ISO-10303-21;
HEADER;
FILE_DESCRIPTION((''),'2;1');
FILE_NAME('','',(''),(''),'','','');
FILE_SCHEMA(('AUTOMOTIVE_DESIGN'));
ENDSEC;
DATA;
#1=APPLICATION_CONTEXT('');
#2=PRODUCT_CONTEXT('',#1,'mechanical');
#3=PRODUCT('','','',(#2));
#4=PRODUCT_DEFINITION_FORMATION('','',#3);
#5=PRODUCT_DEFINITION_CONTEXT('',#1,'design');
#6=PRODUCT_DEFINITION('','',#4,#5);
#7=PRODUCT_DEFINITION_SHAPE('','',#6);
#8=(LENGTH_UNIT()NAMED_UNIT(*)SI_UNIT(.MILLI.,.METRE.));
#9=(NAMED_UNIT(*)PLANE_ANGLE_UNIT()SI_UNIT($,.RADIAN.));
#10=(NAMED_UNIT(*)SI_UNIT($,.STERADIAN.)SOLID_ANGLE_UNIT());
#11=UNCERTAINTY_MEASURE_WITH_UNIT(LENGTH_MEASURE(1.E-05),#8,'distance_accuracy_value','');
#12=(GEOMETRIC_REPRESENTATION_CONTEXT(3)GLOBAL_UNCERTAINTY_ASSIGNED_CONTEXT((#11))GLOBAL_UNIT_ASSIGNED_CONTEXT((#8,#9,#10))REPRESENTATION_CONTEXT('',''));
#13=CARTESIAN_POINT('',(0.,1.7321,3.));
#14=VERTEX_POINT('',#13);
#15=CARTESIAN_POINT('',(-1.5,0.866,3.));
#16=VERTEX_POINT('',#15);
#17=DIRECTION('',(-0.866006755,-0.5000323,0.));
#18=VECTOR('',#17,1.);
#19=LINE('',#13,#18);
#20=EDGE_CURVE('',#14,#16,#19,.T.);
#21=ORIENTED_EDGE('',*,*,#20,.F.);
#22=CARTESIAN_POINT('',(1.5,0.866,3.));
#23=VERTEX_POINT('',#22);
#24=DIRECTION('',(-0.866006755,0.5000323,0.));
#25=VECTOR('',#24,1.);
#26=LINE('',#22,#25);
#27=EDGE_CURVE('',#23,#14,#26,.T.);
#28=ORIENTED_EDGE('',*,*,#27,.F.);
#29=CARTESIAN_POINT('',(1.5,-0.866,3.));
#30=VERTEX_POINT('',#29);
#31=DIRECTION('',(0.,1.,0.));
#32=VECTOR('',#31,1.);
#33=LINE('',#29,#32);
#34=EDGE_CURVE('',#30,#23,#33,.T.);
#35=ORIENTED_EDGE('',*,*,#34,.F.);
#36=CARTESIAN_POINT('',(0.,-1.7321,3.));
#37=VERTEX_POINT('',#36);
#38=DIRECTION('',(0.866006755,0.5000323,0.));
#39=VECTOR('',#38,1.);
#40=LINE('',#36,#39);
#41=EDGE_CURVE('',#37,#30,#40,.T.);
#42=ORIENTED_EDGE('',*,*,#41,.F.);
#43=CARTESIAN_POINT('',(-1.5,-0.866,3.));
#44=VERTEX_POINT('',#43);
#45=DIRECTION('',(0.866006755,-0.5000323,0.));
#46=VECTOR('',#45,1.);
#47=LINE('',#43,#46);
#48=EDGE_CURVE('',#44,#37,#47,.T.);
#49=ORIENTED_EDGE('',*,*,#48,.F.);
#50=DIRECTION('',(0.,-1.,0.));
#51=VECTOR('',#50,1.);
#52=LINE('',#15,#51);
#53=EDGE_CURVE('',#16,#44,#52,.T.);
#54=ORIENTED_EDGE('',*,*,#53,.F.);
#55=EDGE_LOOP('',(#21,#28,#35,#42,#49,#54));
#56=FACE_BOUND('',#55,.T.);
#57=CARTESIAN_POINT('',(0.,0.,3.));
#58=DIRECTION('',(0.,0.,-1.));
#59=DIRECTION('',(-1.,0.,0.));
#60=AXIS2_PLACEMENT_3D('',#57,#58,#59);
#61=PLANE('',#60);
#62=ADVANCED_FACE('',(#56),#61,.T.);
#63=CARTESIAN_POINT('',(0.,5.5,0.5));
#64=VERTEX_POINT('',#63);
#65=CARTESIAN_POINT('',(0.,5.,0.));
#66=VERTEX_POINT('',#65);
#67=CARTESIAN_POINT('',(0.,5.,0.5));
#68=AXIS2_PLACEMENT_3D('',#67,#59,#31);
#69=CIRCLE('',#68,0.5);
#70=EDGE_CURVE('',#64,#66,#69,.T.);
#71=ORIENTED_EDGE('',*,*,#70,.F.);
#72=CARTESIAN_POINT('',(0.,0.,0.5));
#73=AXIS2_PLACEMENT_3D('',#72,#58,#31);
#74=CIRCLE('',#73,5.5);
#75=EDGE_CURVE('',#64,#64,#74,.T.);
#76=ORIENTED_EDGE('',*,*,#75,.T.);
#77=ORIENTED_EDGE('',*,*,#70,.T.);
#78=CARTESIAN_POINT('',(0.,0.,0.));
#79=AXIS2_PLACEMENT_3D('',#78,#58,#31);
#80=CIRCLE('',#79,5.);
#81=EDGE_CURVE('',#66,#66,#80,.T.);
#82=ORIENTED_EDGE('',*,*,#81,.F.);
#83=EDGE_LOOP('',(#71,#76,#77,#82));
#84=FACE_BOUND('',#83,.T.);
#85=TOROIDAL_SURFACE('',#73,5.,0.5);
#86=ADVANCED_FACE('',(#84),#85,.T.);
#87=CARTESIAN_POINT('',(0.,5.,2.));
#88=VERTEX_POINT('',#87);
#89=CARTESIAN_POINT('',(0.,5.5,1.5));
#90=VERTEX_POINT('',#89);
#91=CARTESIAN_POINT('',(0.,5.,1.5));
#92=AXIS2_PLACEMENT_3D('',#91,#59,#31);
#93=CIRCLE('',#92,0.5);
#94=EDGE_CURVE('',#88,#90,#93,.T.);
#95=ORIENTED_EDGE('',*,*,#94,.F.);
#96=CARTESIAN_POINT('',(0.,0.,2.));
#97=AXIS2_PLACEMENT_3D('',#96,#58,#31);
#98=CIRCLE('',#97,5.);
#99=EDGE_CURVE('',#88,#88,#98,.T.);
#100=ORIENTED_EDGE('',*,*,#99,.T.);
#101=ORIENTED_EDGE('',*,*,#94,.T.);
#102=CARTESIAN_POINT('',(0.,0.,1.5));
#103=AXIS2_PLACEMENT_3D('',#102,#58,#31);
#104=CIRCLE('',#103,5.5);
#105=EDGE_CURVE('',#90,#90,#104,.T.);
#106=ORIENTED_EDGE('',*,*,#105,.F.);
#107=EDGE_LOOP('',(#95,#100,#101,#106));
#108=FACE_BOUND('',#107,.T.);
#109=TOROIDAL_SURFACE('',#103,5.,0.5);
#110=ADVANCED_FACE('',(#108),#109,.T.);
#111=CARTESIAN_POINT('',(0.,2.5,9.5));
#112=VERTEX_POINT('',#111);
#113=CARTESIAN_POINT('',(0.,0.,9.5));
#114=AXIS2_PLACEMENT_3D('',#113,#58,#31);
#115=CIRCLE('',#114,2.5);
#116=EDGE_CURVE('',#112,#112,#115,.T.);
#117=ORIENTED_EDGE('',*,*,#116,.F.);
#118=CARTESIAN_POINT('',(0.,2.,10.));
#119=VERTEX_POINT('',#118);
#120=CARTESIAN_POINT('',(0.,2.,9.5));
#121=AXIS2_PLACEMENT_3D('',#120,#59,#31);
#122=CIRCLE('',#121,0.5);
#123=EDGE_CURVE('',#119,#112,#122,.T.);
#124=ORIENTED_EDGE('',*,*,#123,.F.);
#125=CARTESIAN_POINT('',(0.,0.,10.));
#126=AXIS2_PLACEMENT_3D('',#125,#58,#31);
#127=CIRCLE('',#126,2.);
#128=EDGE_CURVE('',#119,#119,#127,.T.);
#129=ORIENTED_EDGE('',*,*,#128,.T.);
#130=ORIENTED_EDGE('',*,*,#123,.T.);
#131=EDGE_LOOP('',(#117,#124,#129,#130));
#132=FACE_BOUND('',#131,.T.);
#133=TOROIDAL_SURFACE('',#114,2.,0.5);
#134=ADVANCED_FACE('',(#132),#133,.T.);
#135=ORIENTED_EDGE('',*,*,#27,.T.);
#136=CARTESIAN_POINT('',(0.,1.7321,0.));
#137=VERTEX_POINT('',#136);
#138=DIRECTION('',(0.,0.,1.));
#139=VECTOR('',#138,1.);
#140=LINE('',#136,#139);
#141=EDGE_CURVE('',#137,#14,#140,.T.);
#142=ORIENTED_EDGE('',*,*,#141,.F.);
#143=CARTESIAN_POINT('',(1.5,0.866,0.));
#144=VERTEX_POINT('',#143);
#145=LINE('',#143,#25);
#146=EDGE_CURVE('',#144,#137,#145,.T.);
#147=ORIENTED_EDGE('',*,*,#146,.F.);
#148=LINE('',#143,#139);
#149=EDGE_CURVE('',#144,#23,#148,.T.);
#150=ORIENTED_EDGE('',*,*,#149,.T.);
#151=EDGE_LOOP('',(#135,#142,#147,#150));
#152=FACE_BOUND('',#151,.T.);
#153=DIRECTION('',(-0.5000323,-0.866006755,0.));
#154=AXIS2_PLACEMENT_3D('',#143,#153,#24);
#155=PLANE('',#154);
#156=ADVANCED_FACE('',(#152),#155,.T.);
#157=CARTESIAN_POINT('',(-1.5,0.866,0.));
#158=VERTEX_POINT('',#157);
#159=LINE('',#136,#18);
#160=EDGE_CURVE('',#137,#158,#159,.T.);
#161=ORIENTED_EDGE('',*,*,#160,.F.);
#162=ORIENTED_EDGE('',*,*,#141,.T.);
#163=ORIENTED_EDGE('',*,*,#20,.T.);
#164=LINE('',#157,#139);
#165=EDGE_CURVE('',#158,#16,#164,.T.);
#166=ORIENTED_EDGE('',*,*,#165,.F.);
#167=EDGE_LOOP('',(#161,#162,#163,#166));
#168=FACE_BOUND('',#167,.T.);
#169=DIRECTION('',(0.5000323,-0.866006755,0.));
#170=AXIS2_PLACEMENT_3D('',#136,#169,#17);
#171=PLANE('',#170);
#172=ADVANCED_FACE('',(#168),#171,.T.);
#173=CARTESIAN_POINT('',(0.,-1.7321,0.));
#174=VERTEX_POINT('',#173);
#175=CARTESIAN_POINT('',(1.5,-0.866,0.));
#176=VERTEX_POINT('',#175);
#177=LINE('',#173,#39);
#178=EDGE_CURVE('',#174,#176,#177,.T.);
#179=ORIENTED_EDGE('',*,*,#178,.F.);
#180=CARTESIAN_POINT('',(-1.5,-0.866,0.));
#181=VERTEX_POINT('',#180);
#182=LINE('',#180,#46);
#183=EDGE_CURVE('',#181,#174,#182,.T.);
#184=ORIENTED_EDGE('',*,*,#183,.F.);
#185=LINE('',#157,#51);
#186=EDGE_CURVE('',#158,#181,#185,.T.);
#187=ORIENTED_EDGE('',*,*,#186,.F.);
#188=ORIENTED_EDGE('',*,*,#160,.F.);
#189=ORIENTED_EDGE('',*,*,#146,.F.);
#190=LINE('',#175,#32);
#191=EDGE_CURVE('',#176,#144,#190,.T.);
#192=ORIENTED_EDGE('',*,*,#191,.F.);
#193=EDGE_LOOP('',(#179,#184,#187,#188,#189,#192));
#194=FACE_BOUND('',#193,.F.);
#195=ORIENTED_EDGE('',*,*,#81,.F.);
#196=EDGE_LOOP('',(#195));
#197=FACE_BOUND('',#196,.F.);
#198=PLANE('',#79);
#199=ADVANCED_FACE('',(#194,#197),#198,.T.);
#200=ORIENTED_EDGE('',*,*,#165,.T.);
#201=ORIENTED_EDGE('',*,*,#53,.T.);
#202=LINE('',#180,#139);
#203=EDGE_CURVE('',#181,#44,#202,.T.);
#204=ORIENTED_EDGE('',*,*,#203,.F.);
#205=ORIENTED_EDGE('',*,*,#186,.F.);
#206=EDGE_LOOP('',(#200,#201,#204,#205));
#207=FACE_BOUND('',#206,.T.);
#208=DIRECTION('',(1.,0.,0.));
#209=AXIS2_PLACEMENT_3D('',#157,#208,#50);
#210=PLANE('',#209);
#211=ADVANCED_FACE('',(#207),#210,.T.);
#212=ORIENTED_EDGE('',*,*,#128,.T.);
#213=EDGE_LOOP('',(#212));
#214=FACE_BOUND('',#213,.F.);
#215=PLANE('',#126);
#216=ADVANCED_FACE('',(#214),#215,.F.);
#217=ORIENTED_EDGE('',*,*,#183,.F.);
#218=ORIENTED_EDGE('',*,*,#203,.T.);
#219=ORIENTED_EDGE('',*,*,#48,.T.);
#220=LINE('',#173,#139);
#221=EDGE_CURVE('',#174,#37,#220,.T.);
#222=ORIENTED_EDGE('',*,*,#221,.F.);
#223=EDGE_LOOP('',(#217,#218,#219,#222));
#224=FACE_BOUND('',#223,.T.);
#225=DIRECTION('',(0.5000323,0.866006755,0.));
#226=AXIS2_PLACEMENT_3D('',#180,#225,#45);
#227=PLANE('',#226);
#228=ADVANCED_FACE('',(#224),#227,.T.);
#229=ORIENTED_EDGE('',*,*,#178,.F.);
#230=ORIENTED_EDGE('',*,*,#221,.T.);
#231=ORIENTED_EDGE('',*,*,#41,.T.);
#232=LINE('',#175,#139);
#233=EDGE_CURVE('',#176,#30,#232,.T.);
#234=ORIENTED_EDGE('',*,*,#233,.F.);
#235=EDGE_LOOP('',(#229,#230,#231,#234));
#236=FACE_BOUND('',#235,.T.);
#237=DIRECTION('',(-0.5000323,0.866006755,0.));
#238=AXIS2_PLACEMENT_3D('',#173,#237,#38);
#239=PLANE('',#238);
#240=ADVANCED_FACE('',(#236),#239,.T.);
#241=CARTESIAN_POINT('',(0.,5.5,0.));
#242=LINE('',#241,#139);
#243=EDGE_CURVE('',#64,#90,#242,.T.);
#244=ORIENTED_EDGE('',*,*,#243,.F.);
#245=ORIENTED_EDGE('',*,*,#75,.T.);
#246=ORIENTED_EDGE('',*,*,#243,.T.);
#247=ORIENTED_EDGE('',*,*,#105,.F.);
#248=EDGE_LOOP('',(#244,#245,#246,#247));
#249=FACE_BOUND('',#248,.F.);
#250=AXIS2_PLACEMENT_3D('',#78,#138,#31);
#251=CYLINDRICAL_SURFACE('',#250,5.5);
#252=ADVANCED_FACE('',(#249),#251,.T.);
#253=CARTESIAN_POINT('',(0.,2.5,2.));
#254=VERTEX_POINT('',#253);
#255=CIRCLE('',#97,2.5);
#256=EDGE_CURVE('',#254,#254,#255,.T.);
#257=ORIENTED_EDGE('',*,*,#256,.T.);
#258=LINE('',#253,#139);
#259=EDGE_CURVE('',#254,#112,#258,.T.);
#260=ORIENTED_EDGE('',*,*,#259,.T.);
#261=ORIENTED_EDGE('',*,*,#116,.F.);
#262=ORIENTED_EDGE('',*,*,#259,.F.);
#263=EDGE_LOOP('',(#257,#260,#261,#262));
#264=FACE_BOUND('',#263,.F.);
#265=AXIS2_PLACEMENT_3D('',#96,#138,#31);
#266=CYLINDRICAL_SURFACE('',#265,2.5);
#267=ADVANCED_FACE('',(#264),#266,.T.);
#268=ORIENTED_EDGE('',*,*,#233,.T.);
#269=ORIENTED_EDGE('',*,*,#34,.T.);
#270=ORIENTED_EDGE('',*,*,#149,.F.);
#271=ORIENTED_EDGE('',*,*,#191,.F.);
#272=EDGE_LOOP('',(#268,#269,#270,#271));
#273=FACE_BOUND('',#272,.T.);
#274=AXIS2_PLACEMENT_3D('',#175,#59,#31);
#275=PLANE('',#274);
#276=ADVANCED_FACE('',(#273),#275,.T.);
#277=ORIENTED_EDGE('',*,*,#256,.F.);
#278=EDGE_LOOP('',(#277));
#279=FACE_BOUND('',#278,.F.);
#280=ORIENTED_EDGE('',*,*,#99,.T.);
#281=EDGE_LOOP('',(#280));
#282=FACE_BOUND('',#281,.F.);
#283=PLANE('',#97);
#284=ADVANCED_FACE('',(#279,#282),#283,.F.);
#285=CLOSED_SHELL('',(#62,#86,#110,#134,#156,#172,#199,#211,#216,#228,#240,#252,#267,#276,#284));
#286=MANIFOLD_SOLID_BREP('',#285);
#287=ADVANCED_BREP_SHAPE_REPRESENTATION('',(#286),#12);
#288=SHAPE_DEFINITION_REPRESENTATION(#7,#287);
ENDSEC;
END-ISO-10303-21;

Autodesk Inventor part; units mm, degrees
ref_plane "YZ Plane" through (0, 0, 0) normal (1, 0, 0) x (0, 1, 0)
ref_plane "XZ Plane" through (0, 0, 0) normal (0, 1, 0) x (-1, 0, 0)
ref_plane "XY Plane" through (0, 0, 0) normal (0, 0, 1) x (1, 0, 0)
sketch "Sketch1" plane through (0, 0, 0) normal (1, 0, 0) x (0, 1, 0)
  line L0 (0, 0) -> (5.5, 0)
  line L1 (5.5, 0) -> (5.5, 2)
  line L2 (5.5, 2) -> (2.5, 2)
  line L3 (2.5, 2) -> (2.5, 10)
  line L4 (2.5, 10) -> (0, 10)
  line L5 (0, 10) -> (0, 0)
  dimension "d0" = 8
  dimension "d1" = 2
  dimension "d2" = 5.5
  dimension "d3" = 2.5
revolve "Revolution1" add sketch "Sketch1" angle 360 about axis through (0, 0, 10) along (0, 0, -1)
fillet "Fillet1" radius 0.5 3 edges at (0, -5.5, 0) (0, -5.5, 2) (0, -2.5, 10)
sketch "Sketch2" plane through (0, 0, 0) normal (0, 0, -1) x (-1, 0, 0)
  circle A0 centre (0, 0) radius 5 projected
  line L0 (1.5, -0.866) -> (0, -1.7321)
  line L1 (0, -1.7321) -> (-1.5, -0.866)
  line L2 (-1.5, -0.866) -> (-1.5, 0.866)
  line L3 (-1.5, 0.866) -> (0, 1.7321)
  line L4 (0, 1.7321) -> (1.5, 0.866)
  line L5 (1.5, 0.866) -> (1.5, -0.866)
  dimension "d6" = 3
extrude "Extrusion1" cut sketch "Sketch2" against normal blind 3 contours L0 L1 L2 L3 L4 L5
thread "Thread1" size "M5x0.8" class "6g" standard "ANSI Metric M Profile" length 30 offset 3
properties part number "M5x8 low profile screw"
